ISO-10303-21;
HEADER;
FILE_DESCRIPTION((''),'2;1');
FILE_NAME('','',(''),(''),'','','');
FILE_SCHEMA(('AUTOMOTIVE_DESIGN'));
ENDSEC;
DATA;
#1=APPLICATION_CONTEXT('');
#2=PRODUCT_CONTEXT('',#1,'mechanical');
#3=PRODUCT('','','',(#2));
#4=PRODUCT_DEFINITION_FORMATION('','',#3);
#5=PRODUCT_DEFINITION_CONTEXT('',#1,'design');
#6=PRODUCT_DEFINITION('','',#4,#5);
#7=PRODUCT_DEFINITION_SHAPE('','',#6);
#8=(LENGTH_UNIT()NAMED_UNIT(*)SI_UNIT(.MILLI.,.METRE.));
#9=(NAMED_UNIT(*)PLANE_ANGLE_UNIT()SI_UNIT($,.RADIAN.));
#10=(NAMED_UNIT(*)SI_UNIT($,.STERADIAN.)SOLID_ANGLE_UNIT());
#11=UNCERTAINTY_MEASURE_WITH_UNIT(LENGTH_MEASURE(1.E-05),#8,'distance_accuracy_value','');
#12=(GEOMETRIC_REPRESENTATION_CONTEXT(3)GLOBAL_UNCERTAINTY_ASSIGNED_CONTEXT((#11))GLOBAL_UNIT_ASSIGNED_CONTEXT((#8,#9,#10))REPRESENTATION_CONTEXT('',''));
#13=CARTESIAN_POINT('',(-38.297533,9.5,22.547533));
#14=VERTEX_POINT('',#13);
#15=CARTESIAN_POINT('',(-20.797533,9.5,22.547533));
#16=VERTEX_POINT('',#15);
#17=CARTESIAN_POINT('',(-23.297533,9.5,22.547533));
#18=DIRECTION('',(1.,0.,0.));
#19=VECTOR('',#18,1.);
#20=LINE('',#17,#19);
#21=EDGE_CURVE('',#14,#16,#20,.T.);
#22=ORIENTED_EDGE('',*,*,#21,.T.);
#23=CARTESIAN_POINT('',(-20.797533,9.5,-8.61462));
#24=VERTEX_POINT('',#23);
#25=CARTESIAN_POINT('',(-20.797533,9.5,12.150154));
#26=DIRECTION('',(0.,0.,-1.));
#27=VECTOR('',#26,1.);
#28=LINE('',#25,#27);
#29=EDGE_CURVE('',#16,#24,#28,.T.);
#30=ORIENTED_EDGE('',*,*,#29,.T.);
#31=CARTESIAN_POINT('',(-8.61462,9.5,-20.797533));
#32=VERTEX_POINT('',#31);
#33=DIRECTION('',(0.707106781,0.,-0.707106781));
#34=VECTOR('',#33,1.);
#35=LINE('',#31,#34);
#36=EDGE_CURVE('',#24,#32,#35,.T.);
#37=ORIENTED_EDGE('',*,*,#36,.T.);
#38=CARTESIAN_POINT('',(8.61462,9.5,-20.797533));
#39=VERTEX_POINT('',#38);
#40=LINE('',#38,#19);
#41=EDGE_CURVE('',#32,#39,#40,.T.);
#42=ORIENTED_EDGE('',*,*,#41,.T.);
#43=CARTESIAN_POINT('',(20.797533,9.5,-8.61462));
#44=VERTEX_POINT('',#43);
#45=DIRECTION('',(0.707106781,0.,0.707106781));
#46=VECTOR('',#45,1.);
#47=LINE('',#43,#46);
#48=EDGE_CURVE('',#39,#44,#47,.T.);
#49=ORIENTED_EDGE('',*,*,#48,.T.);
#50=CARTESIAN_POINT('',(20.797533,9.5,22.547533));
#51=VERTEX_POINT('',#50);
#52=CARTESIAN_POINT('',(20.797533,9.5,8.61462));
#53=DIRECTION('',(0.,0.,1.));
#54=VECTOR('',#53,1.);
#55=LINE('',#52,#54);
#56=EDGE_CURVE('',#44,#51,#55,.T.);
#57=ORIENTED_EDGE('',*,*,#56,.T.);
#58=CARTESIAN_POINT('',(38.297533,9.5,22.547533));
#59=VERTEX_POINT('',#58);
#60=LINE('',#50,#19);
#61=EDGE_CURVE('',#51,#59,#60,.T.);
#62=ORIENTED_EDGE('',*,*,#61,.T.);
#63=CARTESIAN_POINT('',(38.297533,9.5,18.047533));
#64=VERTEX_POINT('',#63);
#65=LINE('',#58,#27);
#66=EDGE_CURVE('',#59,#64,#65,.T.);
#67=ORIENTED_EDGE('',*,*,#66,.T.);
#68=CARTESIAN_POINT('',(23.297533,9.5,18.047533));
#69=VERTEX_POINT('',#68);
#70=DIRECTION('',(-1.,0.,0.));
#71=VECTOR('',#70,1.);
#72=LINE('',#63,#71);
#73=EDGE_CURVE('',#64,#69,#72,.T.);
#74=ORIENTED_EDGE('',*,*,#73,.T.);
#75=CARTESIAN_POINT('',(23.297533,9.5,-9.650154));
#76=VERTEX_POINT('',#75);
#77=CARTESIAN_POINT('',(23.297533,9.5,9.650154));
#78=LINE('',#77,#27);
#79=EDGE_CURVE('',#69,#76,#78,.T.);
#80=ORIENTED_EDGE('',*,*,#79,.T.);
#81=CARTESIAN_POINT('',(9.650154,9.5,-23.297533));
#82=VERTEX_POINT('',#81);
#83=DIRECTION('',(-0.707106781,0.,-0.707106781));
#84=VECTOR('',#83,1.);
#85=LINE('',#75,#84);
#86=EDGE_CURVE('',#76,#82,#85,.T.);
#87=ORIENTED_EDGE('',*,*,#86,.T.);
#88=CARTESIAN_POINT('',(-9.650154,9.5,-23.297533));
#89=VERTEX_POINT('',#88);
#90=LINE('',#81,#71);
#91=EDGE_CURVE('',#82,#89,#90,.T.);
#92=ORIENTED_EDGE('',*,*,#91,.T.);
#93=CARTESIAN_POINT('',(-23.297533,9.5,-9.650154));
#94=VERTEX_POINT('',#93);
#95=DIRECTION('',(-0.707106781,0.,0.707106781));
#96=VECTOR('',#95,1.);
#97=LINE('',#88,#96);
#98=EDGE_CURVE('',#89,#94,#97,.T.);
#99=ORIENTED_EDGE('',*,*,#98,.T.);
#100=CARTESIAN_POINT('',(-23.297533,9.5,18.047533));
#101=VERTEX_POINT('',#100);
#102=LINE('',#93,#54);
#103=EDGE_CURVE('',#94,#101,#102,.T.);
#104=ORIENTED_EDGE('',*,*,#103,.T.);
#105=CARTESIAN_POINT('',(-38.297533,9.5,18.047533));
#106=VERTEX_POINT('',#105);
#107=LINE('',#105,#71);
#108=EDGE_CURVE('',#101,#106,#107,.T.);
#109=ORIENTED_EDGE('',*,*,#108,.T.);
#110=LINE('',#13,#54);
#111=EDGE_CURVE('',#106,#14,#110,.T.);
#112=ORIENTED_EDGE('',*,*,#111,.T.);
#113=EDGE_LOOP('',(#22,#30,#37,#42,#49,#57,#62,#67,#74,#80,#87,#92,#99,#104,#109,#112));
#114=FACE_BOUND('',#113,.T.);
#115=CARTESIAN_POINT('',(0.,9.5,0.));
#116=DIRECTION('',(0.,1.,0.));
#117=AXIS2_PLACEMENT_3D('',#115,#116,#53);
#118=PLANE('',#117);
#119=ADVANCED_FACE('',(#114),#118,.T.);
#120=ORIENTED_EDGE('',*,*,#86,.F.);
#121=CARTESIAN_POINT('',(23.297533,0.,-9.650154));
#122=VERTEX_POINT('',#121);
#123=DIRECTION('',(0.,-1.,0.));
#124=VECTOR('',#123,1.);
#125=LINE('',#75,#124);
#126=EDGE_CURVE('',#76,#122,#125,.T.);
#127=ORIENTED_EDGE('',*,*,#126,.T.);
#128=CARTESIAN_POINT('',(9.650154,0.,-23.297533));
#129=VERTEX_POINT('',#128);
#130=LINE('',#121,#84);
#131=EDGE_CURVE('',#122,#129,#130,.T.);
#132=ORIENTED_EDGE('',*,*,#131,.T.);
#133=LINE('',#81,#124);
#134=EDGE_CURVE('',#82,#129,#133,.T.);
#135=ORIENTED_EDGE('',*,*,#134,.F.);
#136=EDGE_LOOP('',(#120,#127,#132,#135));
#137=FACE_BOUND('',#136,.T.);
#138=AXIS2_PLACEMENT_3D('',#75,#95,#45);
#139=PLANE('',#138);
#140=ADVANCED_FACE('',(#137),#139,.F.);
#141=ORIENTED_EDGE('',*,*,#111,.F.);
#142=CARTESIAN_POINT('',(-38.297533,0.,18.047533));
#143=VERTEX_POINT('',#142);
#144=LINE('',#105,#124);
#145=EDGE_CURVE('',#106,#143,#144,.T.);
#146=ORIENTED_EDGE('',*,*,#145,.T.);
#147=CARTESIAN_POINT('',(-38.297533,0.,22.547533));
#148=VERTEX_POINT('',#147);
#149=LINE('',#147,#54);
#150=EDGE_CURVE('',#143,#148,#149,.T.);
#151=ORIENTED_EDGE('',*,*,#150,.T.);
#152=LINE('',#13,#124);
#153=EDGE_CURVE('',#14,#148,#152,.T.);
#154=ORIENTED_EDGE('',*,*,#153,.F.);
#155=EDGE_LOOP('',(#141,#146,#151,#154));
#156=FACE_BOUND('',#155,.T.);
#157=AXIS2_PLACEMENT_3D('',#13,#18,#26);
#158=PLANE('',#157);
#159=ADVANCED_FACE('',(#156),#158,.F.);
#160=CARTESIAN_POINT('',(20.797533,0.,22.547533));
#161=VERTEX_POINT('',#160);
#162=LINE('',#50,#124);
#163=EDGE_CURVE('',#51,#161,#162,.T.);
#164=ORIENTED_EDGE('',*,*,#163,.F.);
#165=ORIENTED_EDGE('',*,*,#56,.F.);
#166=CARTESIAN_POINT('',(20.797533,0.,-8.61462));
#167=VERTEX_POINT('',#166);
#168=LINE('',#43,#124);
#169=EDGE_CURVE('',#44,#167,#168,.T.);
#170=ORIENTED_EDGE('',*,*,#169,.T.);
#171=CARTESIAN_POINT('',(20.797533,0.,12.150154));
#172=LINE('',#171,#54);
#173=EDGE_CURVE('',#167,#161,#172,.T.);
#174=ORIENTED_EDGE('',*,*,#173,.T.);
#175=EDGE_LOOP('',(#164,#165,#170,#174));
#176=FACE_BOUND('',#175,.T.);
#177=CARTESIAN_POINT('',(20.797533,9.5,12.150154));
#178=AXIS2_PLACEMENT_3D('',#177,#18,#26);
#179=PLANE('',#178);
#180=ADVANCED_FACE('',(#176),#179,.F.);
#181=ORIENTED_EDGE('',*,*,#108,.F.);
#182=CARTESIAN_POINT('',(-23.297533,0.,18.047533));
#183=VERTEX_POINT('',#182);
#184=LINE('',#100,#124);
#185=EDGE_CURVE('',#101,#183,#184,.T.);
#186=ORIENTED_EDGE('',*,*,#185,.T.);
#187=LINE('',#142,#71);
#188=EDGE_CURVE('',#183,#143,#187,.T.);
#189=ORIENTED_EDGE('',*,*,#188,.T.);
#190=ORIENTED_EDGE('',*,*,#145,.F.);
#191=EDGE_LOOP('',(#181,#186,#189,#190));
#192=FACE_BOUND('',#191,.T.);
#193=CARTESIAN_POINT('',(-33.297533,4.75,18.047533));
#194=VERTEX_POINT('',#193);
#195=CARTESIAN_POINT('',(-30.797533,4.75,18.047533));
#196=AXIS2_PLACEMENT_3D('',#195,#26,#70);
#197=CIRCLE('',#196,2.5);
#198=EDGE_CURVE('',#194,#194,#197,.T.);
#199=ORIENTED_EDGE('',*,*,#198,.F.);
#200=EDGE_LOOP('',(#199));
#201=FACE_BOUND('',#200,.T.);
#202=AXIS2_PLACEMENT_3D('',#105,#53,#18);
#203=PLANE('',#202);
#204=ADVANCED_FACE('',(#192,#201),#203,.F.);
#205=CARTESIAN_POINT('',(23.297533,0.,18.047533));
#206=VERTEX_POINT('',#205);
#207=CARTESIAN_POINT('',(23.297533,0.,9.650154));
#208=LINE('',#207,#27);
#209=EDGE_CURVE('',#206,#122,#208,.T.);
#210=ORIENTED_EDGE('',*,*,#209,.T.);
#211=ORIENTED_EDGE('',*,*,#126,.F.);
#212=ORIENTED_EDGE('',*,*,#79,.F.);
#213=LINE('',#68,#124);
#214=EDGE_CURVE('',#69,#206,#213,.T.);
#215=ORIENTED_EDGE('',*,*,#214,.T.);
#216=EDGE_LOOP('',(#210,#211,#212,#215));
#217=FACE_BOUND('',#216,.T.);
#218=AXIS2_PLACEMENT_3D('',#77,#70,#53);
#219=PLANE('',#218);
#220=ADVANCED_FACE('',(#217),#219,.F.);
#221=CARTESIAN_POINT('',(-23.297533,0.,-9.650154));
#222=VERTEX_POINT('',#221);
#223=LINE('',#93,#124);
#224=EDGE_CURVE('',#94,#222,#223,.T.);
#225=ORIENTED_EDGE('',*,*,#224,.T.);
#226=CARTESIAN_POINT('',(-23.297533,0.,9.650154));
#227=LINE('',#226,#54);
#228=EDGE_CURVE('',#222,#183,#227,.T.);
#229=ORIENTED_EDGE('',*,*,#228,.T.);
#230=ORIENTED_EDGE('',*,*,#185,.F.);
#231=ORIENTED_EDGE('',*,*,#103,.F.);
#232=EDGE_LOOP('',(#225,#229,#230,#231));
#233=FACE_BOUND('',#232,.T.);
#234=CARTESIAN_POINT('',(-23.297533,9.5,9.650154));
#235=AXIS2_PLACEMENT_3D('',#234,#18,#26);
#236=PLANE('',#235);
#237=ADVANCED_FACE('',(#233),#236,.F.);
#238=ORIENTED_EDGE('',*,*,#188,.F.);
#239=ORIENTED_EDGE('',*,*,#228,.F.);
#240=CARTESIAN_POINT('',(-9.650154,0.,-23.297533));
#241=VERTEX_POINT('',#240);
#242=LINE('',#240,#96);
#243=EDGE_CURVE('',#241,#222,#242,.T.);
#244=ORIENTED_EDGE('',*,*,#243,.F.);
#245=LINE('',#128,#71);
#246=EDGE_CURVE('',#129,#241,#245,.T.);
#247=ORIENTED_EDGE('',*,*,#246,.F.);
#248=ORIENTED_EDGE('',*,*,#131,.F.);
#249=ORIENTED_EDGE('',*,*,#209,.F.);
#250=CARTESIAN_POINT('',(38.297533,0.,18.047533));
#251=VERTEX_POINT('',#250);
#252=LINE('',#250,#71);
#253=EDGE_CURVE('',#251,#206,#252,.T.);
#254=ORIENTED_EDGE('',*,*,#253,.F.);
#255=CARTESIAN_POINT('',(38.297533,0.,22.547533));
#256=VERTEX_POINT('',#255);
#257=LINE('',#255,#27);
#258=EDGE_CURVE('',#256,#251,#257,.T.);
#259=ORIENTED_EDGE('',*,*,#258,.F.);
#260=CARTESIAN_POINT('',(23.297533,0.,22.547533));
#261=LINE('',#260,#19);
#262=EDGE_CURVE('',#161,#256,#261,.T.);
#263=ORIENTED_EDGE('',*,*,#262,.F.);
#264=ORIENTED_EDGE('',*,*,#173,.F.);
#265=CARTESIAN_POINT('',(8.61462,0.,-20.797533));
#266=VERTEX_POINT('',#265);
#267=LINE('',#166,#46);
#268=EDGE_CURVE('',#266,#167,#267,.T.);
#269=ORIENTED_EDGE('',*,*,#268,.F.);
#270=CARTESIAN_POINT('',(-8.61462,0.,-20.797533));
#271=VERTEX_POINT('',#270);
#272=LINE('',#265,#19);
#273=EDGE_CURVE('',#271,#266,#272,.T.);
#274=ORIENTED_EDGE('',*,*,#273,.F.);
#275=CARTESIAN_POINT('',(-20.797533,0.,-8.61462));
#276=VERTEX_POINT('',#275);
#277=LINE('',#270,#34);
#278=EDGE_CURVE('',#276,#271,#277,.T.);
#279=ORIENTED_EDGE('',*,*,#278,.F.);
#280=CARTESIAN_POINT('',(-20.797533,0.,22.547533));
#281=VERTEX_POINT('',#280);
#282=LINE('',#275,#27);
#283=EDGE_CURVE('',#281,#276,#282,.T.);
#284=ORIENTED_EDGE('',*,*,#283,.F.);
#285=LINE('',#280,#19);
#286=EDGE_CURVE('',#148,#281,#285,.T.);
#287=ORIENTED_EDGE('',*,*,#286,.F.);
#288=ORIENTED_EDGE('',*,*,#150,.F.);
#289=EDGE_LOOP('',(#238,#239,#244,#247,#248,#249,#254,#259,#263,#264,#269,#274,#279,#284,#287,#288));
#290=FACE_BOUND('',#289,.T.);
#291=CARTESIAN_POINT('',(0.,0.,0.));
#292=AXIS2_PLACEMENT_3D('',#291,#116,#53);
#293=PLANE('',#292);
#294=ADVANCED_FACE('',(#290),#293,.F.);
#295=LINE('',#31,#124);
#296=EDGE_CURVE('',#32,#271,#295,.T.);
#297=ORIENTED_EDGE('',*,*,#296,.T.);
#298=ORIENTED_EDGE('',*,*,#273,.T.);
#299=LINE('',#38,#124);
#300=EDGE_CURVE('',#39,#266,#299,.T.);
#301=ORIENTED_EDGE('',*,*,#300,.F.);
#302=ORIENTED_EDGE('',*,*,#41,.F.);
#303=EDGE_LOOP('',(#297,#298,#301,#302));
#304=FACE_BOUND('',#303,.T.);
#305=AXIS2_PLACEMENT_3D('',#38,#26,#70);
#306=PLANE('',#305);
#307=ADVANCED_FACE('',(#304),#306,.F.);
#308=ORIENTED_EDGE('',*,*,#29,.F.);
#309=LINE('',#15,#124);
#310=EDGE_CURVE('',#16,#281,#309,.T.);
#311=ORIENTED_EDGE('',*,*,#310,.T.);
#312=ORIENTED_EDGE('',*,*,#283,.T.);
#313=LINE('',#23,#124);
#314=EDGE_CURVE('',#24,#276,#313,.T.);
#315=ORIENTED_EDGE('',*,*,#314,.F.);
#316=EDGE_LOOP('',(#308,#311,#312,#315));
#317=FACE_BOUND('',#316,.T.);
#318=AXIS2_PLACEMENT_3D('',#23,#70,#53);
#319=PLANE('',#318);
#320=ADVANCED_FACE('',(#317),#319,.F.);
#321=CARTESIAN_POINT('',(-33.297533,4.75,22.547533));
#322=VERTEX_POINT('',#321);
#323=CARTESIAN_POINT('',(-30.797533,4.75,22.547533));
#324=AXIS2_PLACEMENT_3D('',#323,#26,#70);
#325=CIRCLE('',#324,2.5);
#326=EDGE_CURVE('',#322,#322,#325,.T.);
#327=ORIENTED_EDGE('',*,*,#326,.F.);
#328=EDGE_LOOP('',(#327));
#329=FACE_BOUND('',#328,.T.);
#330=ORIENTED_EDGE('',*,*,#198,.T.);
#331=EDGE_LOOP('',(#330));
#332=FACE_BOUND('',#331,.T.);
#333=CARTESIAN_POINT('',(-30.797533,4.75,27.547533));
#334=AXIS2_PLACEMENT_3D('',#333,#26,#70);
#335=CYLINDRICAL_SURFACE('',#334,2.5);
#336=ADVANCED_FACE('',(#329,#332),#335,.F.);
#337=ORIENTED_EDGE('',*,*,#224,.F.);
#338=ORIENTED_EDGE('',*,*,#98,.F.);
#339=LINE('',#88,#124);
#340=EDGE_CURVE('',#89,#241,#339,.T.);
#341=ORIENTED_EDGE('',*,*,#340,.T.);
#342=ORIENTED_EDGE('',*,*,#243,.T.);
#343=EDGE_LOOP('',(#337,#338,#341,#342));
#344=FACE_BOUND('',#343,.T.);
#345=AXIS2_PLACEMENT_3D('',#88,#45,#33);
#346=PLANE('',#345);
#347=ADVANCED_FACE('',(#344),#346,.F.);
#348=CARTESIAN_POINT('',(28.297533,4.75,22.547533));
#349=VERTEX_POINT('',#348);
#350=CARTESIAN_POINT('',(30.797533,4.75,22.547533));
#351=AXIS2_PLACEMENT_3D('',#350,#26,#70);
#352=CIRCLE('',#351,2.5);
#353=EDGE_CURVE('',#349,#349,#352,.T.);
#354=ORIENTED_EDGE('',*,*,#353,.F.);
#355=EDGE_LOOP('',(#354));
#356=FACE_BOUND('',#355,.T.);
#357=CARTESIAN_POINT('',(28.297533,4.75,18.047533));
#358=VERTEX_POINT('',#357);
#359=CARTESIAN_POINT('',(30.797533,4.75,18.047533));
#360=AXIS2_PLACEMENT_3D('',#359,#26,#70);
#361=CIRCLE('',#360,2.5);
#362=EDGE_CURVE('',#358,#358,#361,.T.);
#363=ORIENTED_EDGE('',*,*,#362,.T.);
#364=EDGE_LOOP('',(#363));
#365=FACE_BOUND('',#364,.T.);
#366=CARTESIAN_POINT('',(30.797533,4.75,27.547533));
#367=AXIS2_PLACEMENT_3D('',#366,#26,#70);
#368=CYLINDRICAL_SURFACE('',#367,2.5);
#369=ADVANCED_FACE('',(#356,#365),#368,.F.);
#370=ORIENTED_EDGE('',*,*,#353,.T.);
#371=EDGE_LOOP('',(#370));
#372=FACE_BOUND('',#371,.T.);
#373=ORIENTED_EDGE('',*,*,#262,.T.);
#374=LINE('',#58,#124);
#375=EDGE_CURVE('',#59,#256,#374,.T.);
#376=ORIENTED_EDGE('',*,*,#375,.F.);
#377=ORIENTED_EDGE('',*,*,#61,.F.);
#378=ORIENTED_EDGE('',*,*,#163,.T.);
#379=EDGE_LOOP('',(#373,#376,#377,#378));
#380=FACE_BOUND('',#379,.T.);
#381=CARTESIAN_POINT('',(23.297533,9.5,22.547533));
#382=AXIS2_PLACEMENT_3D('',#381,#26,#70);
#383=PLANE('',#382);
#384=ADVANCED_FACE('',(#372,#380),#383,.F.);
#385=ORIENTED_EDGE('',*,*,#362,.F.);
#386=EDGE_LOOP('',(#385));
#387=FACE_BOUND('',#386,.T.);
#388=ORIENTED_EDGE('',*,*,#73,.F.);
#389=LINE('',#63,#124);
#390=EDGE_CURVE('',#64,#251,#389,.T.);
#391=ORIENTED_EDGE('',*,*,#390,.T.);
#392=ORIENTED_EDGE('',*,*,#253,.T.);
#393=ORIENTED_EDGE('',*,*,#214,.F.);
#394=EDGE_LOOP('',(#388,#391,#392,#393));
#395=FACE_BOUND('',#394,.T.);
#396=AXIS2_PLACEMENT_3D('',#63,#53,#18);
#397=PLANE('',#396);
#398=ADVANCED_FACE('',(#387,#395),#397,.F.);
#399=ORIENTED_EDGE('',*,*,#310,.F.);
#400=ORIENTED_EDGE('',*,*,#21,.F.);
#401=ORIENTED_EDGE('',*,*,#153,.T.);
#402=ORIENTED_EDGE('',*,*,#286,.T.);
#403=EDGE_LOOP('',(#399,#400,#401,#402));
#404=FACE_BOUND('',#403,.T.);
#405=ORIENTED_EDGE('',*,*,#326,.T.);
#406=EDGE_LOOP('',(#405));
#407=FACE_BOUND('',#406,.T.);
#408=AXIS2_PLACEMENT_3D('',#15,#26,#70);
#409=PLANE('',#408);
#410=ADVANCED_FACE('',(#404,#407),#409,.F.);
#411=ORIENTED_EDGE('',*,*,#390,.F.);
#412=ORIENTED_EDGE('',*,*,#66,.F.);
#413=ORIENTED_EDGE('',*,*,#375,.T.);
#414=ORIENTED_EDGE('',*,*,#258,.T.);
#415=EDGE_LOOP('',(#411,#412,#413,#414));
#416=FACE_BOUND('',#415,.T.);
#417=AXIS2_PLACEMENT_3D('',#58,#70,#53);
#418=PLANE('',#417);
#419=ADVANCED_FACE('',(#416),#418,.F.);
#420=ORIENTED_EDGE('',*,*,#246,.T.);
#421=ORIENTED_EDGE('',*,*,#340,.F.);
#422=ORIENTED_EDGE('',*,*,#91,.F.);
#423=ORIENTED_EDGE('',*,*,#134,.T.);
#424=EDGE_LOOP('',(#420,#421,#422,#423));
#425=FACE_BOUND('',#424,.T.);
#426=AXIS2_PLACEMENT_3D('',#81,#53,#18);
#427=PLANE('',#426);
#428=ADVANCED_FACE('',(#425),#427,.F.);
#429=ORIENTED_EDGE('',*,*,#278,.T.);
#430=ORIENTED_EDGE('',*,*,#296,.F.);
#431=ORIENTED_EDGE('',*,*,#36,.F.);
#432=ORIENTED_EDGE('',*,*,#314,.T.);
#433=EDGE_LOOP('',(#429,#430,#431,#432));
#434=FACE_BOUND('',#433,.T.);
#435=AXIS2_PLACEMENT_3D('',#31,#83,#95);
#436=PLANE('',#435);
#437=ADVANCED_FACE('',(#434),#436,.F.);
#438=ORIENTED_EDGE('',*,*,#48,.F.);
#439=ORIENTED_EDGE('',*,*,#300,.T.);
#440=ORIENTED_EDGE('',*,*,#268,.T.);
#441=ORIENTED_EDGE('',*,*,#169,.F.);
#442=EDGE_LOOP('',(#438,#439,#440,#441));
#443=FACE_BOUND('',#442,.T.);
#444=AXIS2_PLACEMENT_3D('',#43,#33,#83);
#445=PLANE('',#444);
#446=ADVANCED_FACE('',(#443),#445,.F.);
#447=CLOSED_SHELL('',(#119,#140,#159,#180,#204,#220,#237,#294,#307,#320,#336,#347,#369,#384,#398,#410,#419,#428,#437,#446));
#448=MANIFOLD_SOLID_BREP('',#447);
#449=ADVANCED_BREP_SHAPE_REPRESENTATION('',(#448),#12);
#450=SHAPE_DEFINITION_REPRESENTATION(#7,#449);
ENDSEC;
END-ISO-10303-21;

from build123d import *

# Parameters (mm, degrees)
BOSS_EXTRUDE1_DEPTH = 9.5
SKETCH3_R           = 2.5
CUT_EXTRUDE1_DEPTH  = 9.5


with BuildPart() as part:
    # Sketch2 → Boss-Extrude1 (new body)
    with BuildSketch(Plane(origin=(0, 0, 0), x_dir=(1, 0, 0), z_dir=(0, 1, 0))):
        Polygon((-9.650154056, 23.297532801), (-23.297532801, 9.650154056), (-23.297532801, -9.650154056), (-23.297532801, -18.047532806), (-38.297532801, -18.047532806), (-38.297532801, -22.547532806), (-23.297532801, -22.547532806), (-20.797532801, -22.547532806), (-20.797532801, -12.150154056), (-20.797532801, -8.61462015), (-20.797532801, 8.61462015), (-8.61462015, 20.797532801), (8.61462015, 20.797532801), (20.797532801, 8.61462015), (20.797532801, -8.61462015), (20.797532801, -12.150154056), (20.797532801, -22.547532806), (23.297532801, -22.547532806), (38.297532801, -22.547532806), (38.297532801, -18.047532806), (23.297532801, -18.047532806), (23.297532801, -9.650154056), (23.297532801, 9.650154056), (9.650154056, 23.297532801), align=None)
    extrude(amount=BOSS_EXTRUDE1_DEPTH)

    # Sketch3 → Cut-Extrude1 (cut)
    with BuildSketch(Plane(origin=(0, 0, 18.047532806), x_dir=(-1, 0, 0), z_dir=(0, 0, -1))):
        with Locations((30.797532801, 4.75)):
            Circle(SKETCH3_R)
        with Locations((-30.797532801, 4.75)):
            Circle(SKETCH3_R)
    extrude(amount=-CUT_EXTRUDE1_DEPTH, mode=Mode.SUBTRACT)


solid = part.part
